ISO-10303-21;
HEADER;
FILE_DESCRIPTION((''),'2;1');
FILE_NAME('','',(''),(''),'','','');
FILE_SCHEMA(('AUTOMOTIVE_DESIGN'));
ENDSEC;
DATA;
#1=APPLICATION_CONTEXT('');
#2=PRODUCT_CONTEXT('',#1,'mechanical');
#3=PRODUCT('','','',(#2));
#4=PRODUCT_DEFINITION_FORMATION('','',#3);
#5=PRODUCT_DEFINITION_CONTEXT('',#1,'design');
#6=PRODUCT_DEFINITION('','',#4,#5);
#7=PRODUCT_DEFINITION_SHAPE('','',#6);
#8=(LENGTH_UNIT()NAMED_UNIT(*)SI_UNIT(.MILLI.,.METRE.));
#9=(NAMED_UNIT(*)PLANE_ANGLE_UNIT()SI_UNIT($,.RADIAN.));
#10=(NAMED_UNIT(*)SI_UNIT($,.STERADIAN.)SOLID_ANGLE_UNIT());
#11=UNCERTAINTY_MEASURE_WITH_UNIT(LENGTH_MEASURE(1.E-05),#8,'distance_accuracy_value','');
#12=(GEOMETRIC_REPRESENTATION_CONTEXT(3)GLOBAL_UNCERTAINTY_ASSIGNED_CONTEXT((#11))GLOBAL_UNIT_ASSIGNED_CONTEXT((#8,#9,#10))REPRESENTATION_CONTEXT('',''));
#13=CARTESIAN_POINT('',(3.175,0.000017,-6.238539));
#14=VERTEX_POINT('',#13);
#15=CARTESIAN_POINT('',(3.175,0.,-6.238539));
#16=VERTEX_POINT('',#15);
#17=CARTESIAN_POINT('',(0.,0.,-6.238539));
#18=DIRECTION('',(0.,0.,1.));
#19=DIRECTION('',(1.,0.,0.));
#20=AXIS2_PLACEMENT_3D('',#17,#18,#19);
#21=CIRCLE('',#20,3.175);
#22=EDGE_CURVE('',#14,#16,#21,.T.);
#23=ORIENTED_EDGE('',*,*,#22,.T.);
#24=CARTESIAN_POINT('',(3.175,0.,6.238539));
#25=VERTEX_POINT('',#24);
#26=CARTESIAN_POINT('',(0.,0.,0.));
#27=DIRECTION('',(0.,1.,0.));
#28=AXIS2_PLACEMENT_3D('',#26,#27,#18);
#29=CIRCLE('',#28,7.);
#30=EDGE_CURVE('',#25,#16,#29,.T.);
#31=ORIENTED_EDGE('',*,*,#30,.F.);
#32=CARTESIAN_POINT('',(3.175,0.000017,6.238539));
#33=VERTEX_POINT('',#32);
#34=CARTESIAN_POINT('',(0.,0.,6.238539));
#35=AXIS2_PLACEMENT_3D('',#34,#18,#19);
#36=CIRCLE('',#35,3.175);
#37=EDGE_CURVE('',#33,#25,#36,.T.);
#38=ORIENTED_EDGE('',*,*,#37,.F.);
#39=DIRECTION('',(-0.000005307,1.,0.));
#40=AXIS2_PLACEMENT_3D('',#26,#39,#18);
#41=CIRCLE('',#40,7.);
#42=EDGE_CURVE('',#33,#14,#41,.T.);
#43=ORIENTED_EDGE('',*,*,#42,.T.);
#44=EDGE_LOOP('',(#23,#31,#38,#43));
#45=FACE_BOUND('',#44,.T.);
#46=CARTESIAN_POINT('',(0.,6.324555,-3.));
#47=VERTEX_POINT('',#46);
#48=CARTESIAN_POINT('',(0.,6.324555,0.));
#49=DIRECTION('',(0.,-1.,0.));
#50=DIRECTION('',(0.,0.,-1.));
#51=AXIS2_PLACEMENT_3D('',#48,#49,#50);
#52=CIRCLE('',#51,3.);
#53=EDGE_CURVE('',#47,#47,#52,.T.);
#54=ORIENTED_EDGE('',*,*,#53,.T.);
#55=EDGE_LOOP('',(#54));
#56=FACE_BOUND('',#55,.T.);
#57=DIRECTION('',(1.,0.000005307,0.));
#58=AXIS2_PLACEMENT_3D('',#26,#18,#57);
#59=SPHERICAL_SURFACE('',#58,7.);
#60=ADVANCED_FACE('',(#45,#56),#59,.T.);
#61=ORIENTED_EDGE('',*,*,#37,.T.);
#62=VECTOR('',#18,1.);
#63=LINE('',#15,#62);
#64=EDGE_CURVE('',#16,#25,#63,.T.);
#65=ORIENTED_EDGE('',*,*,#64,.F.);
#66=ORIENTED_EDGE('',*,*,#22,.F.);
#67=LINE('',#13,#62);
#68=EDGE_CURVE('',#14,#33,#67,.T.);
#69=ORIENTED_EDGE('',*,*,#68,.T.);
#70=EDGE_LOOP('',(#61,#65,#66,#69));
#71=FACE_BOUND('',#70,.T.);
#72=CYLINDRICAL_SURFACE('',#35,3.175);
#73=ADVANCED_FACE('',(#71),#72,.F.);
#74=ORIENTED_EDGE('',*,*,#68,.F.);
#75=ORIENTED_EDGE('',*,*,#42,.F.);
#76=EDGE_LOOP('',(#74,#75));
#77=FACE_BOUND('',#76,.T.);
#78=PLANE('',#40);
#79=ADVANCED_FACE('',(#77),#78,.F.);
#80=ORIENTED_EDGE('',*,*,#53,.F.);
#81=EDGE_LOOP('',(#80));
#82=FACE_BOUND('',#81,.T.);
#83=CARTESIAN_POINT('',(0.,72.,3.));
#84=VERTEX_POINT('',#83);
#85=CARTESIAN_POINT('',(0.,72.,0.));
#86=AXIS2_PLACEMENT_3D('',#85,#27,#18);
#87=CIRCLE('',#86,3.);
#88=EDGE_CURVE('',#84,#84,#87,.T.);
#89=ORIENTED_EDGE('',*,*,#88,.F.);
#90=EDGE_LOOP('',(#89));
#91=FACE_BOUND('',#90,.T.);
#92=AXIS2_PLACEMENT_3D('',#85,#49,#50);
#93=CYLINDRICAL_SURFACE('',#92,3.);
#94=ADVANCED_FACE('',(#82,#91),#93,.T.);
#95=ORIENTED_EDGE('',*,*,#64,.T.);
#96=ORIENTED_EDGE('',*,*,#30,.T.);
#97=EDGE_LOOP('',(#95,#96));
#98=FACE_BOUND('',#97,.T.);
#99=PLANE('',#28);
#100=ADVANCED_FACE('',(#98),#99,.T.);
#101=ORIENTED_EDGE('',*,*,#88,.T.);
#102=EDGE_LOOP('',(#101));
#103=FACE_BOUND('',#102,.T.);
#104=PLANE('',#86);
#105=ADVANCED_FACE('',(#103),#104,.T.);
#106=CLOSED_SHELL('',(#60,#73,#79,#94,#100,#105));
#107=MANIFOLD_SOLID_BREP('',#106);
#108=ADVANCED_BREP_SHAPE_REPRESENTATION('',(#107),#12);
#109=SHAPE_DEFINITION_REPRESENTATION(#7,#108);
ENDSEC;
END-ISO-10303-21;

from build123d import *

# Parameters (mm, degrees)
REVOLVE1_ANGLE      = 359.999695921
BOSS_EXTRUDE1_START = 3.5
SKETCH2_R           = 3
BOSS_EXTRUDE1_DEPTH = 68.5


with BuildPart() as part:
    # Sketch1 → Revolve1 (revolve)
    with BuildSketch(Plane(origin=(0, 0, 0), x_dir=(1, 0, 0), z_dir=(0, 1, 0))):
        with BuildLine():
            Line((3.175, 6.238539493), (3.175, -6.238539493))
            ThreePointArc((3.175, -6.238539493), (7, 0), (3.175, 6.238539493))
        make_face()
    revolve(axis=Axis((0, 0, 6.238539493), (0, 0, -1)), revolution_arc=REVOLVE1_ANGLE)

    # Sketch2 → Boss-Extrude1 (add)
    with BuildSketch(Plane(origin=(0, 0, 0), x_dir=(1, 0, 0), z_dir=(0, 1, 0)).offset(BOSS_EXTRUDE1_START)):
        with Locations(Location((0, 0, 0), (0, 0, 90))):
            Circle(SKETCH2_R)
    extrude(amount=BOSS_EXTRUDE1_DEPTH)


solid = part.part
